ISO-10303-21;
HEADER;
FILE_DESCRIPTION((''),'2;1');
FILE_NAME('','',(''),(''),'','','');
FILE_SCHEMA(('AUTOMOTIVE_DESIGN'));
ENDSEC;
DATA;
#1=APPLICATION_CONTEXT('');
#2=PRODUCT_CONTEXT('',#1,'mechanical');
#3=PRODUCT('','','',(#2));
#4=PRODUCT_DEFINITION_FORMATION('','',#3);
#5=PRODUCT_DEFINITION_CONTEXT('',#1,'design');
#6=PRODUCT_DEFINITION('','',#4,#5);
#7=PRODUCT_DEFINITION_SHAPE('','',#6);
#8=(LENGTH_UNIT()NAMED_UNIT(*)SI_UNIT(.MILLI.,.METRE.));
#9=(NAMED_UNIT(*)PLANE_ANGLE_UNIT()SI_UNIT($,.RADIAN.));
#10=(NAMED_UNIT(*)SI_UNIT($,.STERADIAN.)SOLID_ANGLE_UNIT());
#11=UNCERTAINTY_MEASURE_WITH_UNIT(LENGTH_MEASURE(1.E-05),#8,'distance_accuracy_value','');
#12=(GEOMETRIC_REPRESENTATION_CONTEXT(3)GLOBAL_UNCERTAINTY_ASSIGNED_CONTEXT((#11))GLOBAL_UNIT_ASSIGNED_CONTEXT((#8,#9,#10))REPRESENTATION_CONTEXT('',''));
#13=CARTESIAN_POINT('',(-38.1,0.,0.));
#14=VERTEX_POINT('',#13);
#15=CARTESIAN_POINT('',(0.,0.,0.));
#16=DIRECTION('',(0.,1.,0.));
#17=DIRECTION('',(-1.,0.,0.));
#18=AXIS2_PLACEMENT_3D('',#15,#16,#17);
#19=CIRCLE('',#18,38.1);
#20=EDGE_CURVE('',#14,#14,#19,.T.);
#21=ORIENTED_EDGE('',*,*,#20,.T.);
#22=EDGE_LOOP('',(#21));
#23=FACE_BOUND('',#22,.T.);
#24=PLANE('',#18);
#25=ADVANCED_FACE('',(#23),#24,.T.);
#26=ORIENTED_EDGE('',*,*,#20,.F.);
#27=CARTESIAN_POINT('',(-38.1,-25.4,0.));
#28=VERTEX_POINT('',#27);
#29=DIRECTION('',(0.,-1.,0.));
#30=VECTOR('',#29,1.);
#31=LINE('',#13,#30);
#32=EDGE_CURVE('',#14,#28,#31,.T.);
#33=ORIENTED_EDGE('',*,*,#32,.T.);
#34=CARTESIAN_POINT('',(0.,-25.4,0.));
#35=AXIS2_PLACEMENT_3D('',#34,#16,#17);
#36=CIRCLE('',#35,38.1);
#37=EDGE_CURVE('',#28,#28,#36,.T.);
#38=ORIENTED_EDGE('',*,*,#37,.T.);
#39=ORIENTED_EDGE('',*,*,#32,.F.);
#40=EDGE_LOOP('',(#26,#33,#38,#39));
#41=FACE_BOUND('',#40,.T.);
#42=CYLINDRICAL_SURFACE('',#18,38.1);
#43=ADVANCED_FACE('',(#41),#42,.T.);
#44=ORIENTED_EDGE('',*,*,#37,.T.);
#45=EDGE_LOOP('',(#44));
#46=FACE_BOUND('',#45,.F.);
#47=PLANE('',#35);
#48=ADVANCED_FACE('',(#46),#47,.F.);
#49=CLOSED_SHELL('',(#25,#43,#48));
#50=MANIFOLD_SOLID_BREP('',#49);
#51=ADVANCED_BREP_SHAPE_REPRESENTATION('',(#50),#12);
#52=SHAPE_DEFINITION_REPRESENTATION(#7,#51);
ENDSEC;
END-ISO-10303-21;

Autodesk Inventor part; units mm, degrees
ref_plane "YZ Plane" through (0, 0, 0) normal (1, 0, 0) x (0, 1, 0)
ref_plane "XZ Plane" through (0, 0, 0) normal (0, 1, 0) x (-1, 0, 0)
ref_plane "XY Plane" through (0, 0, 0) normal (0, 0, 1) x (1, 0, 0)
sketch "Sketch1" plane through (0, 0, 0) normal (0, 1, 0) x (-1, 0, 0)
  circle A0 centre (0, 0) radius 38.1
  dimension "d0" = 76.2
extrude "Extrusion1" add sketch "Sketch1" against normal blind 25.4
properties part number "tripodTop"
